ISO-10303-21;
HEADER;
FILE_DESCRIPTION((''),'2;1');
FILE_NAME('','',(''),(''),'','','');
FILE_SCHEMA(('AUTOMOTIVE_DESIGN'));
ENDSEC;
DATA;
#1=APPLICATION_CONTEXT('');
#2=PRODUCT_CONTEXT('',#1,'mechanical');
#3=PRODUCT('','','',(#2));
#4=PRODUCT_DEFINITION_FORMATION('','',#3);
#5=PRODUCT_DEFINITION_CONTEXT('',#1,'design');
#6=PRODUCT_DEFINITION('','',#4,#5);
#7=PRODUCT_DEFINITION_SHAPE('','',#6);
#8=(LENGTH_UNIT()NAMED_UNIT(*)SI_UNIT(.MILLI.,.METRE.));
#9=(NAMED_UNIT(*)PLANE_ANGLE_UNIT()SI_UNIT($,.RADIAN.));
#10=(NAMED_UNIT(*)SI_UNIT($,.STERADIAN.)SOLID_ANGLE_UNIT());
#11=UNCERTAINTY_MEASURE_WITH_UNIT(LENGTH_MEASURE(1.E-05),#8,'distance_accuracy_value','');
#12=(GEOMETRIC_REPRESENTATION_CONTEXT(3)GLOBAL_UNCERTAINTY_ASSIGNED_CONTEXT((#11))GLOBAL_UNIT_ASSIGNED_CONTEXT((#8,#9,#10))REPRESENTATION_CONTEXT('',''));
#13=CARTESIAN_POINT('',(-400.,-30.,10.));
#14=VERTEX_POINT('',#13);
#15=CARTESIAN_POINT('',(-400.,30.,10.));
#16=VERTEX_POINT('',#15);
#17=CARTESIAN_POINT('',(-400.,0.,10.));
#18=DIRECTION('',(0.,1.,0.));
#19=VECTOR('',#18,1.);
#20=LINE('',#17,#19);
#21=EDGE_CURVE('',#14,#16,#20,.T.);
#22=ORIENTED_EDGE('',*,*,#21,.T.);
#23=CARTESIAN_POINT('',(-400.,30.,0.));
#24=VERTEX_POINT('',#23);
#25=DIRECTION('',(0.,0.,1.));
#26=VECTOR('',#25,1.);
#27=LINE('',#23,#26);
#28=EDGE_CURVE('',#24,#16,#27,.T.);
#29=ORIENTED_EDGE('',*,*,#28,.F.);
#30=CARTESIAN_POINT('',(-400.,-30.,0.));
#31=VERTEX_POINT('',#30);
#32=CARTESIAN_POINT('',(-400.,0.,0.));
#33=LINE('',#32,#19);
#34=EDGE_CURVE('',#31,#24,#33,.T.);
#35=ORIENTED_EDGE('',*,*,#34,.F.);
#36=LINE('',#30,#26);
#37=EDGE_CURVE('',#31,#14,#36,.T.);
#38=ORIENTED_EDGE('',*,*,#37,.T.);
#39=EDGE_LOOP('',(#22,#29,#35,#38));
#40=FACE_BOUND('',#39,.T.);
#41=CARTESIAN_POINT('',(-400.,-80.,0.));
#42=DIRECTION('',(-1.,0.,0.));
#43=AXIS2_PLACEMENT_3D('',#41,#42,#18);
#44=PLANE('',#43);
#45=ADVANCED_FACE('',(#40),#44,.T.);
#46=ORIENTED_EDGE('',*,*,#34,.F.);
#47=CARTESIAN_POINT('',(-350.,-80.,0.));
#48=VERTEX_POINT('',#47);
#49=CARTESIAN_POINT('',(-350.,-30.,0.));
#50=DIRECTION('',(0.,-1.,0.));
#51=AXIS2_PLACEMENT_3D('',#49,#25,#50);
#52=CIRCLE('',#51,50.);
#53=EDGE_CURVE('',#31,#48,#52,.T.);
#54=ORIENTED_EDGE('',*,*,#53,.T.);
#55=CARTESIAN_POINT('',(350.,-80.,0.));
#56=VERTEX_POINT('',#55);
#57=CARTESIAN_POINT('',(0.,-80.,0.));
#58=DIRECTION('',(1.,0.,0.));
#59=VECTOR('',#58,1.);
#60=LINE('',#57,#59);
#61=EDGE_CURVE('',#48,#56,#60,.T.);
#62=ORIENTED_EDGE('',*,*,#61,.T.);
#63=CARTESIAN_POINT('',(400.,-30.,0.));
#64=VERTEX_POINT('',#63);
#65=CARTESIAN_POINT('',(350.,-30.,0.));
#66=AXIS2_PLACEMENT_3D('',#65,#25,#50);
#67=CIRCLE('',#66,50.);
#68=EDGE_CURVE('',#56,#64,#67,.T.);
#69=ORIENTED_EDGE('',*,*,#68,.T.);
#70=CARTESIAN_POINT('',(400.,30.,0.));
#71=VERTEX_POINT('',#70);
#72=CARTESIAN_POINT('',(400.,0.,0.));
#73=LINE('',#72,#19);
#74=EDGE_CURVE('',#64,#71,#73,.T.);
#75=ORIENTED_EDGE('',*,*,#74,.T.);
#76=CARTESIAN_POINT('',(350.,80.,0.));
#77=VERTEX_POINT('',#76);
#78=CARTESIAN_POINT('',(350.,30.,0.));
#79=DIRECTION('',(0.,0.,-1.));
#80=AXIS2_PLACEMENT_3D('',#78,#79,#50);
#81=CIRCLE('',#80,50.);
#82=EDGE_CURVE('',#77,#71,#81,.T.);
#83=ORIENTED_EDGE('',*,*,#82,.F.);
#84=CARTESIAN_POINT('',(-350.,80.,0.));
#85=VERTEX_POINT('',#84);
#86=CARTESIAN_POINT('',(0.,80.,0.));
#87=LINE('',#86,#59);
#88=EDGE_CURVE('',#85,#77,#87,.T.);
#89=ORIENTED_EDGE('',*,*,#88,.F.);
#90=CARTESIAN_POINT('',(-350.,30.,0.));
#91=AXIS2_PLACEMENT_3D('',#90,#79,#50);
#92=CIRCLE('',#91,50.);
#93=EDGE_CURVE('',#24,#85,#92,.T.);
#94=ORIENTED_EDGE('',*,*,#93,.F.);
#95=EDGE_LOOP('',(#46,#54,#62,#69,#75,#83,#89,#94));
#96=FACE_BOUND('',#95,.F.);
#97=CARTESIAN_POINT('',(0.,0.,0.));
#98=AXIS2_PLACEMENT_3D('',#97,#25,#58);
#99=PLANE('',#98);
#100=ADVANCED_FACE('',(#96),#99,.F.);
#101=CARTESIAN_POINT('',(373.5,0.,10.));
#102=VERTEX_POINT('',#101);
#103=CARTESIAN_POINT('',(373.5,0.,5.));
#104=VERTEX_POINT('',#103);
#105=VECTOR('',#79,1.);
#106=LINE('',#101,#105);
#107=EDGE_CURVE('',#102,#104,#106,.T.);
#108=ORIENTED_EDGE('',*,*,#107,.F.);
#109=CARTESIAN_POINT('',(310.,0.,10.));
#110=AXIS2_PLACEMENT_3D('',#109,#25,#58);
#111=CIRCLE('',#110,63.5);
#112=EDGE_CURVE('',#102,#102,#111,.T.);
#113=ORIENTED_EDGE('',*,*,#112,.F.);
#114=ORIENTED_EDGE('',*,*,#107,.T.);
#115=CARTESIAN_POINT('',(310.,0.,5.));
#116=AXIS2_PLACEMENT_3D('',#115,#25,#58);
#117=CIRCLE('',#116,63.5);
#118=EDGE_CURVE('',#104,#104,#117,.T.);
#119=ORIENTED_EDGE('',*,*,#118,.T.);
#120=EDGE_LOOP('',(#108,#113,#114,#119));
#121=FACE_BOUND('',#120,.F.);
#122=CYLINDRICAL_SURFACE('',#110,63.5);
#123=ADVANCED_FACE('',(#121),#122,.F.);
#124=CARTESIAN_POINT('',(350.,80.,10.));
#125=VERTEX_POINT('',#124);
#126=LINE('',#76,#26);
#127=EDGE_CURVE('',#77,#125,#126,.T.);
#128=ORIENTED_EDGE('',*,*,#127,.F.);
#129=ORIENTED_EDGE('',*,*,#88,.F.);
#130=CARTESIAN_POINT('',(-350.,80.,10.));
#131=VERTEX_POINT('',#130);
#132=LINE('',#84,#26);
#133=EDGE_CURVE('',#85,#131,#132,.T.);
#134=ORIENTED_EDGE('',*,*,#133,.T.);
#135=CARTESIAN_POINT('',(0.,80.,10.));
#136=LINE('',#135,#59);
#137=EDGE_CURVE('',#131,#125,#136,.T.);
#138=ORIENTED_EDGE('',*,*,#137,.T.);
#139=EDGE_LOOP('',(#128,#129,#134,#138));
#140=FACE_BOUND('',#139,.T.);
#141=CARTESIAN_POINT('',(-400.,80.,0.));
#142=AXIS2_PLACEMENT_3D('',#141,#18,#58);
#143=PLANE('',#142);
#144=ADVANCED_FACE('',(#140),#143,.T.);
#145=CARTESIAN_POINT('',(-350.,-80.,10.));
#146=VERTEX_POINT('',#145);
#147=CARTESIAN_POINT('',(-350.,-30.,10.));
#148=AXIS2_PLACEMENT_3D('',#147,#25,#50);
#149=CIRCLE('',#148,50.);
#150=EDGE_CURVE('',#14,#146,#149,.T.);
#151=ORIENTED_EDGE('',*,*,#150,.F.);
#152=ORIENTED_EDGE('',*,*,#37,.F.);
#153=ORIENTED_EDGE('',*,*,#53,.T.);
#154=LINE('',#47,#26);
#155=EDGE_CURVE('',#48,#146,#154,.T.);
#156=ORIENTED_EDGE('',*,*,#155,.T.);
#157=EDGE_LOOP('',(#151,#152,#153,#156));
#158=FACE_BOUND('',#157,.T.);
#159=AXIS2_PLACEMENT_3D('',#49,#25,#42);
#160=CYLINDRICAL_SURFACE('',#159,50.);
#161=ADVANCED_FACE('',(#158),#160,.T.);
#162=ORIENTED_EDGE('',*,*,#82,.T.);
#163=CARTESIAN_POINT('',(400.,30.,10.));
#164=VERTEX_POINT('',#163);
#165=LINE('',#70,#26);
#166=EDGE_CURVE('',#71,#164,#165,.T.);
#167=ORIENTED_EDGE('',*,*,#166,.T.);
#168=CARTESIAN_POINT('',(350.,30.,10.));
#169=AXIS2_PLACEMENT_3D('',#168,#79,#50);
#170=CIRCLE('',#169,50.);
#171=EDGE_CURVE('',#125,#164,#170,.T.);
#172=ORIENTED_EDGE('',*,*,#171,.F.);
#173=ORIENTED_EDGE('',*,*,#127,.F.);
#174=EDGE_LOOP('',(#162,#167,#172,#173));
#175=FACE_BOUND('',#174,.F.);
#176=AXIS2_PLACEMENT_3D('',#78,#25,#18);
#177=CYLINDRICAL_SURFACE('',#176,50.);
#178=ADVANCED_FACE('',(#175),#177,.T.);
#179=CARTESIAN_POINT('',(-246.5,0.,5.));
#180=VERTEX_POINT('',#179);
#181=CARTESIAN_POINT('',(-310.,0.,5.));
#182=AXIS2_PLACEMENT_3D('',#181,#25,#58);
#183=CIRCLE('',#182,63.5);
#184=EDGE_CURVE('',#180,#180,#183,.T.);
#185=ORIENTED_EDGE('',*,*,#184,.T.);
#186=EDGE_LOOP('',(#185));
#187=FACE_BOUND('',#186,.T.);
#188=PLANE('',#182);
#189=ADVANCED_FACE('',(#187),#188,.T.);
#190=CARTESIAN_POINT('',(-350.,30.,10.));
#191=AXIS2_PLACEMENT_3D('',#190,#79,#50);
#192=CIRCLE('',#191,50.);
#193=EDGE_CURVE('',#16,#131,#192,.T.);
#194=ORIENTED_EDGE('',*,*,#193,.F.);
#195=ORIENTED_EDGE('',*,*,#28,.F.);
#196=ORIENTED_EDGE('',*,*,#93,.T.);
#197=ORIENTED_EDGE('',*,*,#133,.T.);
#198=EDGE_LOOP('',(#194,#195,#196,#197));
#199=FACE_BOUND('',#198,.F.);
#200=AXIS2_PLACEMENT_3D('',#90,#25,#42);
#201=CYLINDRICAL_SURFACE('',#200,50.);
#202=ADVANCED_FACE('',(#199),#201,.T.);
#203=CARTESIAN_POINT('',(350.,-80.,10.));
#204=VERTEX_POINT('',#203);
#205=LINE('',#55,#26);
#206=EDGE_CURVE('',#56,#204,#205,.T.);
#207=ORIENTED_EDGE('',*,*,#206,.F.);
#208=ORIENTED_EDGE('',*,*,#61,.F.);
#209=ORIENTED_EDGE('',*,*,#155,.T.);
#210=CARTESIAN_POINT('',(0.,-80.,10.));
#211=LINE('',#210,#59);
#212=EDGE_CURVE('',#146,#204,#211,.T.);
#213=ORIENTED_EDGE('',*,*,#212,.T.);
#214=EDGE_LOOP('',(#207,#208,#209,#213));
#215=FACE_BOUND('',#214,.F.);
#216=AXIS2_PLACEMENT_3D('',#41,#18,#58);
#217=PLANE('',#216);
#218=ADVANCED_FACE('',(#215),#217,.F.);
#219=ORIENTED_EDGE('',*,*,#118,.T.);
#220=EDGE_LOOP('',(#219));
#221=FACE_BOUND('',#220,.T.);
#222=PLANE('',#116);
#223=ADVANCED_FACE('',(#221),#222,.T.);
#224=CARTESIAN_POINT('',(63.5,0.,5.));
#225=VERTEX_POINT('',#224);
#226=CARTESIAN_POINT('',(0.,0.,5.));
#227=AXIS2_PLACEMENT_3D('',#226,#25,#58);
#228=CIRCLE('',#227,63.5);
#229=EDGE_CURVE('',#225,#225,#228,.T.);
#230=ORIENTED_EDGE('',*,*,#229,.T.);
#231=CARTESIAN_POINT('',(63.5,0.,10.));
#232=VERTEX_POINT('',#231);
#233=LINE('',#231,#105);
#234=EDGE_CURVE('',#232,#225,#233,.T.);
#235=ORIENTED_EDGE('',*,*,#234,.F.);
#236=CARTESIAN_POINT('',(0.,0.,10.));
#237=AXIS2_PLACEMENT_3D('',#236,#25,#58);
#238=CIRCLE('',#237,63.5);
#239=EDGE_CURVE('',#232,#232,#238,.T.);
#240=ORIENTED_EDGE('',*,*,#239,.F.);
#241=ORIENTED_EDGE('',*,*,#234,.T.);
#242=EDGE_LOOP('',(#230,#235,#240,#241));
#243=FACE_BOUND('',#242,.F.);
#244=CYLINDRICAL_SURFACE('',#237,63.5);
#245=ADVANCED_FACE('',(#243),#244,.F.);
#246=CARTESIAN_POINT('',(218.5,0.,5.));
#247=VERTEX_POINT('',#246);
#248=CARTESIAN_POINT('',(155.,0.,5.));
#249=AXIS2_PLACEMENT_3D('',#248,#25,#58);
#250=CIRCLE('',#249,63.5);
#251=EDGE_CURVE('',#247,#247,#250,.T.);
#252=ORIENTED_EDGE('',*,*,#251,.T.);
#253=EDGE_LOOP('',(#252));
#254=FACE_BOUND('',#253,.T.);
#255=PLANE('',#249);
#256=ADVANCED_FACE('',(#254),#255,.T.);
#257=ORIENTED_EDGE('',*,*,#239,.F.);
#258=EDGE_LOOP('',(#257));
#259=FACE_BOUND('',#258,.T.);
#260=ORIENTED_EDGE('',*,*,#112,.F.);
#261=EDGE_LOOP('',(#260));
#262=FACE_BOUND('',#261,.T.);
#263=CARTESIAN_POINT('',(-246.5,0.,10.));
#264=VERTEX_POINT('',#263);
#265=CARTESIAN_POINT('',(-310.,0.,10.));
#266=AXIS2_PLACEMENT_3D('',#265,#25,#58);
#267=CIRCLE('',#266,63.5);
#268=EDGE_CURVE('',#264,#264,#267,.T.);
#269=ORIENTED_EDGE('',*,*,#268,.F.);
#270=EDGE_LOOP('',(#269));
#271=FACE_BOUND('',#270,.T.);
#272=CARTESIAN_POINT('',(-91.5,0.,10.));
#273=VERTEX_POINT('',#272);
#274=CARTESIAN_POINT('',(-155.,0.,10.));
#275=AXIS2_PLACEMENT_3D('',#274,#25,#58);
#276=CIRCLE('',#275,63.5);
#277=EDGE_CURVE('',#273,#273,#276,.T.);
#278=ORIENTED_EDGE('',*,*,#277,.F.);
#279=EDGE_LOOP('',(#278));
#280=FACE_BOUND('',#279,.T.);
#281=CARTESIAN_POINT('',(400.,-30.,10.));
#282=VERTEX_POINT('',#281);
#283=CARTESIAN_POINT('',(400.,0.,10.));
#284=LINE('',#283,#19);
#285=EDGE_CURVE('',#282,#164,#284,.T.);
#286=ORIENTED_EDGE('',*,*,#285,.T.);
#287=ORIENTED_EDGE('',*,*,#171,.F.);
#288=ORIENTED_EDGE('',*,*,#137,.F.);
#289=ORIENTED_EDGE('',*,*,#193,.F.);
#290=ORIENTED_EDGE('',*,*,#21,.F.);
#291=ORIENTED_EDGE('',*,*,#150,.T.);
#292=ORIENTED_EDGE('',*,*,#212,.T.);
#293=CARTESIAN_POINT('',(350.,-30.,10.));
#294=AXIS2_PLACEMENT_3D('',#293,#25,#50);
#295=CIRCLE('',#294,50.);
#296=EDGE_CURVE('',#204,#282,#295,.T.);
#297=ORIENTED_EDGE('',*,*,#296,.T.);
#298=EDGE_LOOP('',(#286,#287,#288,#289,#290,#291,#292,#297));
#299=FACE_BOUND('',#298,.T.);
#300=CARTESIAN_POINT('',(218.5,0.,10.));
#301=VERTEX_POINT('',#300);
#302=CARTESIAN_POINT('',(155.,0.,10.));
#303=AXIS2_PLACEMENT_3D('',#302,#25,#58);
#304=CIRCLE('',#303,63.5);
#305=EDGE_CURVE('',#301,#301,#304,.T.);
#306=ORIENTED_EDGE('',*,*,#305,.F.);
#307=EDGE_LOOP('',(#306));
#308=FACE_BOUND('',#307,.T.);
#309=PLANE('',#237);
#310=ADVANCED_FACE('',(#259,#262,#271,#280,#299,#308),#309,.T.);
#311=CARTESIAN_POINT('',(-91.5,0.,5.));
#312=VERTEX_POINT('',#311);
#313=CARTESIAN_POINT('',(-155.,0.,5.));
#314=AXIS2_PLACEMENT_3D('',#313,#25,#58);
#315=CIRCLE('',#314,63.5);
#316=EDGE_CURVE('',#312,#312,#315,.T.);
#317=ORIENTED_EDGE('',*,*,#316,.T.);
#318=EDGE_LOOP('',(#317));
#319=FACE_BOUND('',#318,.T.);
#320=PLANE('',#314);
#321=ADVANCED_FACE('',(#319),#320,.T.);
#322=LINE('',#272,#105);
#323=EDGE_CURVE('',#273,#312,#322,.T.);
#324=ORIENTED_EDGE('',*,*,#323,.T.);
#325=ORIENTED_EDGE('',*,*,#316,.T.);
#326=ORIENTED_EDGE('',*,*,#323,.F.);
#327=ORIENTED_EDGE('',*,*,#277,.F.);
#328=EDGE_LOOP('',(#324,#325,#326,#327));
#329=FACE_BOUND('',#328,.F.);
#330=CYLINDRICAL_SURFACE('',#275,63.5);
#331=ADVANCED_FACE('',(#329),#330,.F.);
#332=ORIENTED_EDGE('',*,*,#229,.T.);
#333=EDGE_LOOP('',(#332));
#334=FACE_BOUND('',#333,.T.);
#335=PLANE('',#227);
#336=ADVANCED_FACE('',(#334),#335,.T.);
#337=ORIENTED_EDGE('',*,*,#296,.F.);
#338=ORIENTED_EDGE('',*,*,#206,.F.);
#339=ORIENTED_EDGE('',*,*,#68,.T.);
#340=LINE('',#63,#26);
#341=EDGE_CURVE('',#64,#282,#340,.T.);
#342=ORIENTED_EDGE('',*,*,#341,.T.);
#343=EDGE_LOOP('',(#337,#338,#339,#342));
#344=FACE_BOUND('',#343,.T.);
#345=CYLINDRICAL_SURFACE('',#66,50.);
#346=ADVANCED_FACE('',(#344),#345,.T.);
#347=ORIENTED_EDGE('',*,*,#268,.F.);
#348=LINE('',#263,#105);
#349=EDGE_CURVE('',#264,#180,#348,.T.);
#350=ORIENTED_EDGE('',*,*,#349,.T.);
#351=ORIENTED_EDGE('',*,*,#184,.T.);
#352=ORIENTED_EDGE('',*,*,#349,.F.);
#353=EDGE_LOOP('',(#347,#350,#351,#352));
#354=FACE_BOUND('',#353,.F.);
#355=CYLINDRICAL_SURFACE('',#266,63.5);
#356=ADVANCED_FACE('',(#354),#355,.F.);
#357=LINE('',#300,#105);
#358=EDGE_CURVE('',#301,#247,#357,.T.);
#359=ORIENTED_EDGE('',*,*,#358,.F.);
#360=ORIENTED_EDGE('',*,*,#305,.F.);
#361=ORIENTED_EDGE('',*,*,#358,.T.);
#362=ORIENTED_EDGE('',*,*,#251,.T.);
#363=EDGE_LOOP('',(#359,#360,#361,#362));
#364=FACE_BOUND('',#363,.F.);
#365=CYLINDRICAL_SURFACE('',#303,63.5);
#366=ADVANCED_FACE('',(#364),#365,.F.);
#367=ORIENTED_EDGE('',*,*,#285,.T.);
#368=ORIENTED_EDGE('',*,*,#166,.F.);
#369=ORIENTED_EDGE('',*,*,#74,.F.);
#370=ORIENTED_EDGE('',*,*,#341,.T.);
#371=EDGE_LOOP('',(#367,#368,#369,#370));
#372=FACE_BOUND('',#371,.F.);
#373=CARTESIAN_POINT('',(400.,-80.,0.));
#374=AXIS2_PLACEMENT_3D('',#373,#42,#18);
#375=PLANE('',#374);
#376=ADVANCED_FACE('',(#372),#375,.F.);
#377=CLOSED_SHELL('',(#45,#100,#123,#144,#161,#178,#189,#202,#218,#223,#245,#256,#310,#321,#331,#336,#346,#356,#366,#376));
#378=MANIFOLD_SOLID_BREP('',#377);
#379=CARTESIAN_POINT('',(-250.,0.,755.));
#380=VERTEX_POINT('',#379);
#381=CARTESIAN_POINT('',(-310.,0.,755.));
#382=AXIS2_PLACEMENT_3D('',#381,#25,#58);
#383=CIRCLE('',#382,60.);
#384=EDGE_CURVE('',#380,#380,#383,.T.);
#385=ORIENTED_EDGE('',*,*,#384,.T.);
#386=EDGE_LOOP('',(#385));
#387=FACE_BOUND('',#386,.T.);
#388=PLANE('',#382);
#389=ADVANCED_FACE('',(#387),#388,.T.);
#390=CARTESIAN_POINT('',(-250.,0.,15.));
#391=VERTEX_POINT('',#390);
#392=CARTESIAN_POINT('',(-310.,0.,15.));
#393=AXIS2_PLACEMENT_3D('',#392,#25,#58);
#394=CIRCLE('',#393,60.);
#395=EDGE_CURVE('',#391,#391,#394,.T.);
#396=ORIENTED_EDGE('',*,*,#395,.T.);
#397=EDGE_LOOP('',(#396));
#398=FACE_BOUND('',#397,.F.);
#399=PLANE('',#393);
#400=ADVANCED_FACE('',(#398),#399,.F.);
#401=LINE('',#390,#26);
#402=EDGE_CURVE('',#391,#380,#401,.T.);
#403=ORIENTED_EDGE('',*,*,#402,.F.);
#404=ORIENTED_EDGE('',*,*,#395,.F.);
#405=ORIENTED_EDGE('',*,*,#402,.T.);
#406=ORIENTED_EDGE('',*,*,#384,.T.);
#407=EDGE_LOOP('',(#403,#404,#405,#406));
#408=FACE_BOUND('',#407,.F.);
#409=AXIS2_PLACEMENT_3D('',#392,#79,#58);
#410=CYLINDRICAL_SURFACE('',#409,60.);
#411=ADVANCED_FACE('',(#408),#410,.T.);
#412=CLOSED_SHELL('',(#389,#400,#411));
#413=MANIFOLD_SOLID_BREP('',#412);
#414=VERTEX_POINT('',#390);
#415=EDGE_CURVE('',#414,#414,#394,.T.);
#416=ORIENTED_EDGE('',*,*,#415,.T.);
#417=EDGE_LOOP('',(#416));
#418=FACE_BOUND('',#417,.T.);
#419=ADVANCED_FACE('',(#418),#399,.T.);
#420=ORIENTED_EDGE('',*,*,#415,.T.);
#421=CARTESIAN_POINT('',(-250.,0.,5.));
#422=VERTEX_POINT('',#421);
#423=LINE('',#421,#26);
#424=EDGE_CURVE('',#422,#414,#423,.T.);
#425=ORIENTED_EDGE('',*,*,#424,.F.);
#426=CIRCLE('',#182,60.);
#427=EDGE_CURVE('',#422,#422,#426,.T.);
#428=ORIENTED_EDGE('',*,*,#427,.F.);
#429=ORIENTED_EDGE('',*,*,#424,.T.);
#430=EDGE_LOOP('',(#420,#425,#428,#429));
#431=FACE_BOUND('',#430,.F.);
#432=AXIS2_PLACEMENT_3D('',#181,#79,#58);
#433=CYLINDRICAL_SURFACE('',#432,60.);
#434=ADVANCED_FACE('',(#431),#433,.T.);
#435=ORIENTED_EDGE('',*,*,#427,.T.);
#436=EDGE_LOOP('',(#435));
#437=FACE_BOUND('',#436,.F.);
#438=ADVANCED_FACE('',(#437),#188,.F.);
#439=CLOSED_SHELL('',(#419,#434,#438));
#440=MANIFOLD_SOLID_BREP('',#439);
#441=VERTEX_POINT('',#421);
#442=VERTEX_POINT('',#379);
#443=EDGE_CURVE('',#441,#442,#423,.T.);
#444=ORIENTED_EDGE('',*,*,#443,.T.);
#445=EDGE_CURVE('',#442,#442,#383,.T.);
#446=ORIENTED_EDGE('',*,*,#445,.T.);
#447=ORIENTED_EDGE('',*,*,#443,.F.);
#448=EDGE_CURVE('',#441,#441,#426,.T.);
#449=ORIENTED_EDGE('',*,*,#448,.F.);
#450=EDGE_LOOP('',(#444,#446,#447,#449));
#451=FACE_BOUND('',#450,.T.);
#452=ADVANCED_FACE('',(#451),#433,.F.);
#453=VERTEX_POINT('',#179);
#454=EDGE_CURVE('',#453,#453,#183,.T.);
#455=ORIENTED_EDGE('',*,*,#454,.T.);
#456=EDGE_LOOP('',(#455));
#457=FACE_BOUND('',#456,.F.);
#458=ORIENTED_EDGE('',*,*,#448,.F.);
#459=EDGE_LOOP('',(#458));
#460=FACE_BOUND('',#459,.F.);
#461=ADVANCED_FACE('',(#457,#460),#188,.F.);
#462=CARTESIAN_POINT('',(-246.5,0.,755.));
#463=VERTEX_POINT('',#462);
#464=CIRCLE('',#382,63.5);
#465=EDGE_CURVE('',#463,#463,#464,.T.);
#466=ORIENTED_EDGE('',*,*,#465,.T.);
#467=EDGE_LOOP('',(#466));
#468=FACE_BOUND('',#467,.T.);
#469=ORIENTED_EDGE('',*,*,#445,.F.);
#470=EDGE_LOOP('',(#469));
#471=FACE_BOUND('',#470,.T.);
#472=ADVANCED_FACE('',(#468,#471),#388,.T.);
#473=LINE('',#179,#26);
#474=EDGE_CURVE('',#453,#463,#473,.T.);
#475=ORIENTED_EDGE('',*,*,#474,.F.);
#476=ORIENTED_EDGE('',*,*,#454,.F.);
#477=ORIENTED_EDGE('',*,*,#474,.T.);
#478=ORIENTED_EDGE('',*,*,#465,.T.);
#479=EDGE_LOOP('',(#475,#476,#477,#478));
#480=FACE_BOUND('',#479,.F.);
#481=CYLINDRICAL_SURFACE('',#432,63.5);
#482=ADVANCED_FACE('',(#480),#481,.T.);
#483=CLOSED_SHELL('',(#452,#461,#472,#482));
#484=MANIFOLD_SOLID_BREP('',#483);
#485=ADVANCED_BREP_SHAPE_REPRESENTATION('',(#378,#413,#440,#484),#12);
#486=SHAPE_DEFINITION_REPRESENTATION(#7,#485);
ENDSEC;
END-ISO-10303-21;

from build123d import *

# Parameters (mm, degrees)
F0_W      = 800
F0_H      = 160
F1_DEPTH  = 10
F2_R      = 63.5
F3_DEPTH  = 5
F4_R      = 50
F5_R      = 60
F6_DEPTH  = 10
F5_R_2    = 63.5
F7_DEPTH  = 750
F6_FACE_R = 60
F8_DEPTH  = 740


with BuildPart() as f1:
    # F0 (on Top) → F1 (new body)
    with BuildSketch(Plane.XY):
        Rectangle(F0_W, F0_H)
    extrude(amount=F1_DEPTH)

    # F2 (on face) → F3 (cut)
    with BuildSketch(Plane.XY.offset(10)):
        with Locations((-310, 0)):
            Circle(F2_R)
        with Locations((-155, 0)):
            Circle(F2_R)
        Circle(F2_R)
        with Locations((155, 0)):
            Circle(F2_R)
        with Locations((310, 0)):
            Circle(F2_R)
    extrude(amount=-F3_DEPTH, mode=Mode.SUBTRACT)

    # F4
    f4_edges = [f1.edges().sort_by_distance(p)[0] for p in [
        (-400, -80, 5),
        (400, -80, 5),
        (400, 80, 5),
        (-400, 80, 5),
    ]]
    fillet(f4_edges, radius=F4_R)


with BuildPart() as f6:
    # F5 (on face) → F6 (new body)
    with BuildSketch(Plane.XY.offset(5)):
        with Locations((-310, 0)):
            Circle(F5_R)
    extrude(amount=F6_DEPTH)


with BuildPart() as f7:
    # F5 (on face) → F7 (new body)
    with BuildSketch(Plane.XY.offset(5)):
        with Locations((-310, 0)):
            Circle(F5_R_2)
        with Locations((-310, 0)):
            Circle(F5_R, mode=Mode.SUBTRACT)
    extrude(amount=F7_DEPTH)


with BuildPart() as f8:
    # F6_face (on face) → F8 (new body)
    with BuildSketch(Plane(origin=(-310, 0, 15), x_dir=(1, 0, 0), z_dir=(0, 0, 1))):
        Circle(F6_FACE_R)
    extrude(amount=F8_DEPTH)


solid = Compound([f1.part, f6.part, f7.part, f8.part])
